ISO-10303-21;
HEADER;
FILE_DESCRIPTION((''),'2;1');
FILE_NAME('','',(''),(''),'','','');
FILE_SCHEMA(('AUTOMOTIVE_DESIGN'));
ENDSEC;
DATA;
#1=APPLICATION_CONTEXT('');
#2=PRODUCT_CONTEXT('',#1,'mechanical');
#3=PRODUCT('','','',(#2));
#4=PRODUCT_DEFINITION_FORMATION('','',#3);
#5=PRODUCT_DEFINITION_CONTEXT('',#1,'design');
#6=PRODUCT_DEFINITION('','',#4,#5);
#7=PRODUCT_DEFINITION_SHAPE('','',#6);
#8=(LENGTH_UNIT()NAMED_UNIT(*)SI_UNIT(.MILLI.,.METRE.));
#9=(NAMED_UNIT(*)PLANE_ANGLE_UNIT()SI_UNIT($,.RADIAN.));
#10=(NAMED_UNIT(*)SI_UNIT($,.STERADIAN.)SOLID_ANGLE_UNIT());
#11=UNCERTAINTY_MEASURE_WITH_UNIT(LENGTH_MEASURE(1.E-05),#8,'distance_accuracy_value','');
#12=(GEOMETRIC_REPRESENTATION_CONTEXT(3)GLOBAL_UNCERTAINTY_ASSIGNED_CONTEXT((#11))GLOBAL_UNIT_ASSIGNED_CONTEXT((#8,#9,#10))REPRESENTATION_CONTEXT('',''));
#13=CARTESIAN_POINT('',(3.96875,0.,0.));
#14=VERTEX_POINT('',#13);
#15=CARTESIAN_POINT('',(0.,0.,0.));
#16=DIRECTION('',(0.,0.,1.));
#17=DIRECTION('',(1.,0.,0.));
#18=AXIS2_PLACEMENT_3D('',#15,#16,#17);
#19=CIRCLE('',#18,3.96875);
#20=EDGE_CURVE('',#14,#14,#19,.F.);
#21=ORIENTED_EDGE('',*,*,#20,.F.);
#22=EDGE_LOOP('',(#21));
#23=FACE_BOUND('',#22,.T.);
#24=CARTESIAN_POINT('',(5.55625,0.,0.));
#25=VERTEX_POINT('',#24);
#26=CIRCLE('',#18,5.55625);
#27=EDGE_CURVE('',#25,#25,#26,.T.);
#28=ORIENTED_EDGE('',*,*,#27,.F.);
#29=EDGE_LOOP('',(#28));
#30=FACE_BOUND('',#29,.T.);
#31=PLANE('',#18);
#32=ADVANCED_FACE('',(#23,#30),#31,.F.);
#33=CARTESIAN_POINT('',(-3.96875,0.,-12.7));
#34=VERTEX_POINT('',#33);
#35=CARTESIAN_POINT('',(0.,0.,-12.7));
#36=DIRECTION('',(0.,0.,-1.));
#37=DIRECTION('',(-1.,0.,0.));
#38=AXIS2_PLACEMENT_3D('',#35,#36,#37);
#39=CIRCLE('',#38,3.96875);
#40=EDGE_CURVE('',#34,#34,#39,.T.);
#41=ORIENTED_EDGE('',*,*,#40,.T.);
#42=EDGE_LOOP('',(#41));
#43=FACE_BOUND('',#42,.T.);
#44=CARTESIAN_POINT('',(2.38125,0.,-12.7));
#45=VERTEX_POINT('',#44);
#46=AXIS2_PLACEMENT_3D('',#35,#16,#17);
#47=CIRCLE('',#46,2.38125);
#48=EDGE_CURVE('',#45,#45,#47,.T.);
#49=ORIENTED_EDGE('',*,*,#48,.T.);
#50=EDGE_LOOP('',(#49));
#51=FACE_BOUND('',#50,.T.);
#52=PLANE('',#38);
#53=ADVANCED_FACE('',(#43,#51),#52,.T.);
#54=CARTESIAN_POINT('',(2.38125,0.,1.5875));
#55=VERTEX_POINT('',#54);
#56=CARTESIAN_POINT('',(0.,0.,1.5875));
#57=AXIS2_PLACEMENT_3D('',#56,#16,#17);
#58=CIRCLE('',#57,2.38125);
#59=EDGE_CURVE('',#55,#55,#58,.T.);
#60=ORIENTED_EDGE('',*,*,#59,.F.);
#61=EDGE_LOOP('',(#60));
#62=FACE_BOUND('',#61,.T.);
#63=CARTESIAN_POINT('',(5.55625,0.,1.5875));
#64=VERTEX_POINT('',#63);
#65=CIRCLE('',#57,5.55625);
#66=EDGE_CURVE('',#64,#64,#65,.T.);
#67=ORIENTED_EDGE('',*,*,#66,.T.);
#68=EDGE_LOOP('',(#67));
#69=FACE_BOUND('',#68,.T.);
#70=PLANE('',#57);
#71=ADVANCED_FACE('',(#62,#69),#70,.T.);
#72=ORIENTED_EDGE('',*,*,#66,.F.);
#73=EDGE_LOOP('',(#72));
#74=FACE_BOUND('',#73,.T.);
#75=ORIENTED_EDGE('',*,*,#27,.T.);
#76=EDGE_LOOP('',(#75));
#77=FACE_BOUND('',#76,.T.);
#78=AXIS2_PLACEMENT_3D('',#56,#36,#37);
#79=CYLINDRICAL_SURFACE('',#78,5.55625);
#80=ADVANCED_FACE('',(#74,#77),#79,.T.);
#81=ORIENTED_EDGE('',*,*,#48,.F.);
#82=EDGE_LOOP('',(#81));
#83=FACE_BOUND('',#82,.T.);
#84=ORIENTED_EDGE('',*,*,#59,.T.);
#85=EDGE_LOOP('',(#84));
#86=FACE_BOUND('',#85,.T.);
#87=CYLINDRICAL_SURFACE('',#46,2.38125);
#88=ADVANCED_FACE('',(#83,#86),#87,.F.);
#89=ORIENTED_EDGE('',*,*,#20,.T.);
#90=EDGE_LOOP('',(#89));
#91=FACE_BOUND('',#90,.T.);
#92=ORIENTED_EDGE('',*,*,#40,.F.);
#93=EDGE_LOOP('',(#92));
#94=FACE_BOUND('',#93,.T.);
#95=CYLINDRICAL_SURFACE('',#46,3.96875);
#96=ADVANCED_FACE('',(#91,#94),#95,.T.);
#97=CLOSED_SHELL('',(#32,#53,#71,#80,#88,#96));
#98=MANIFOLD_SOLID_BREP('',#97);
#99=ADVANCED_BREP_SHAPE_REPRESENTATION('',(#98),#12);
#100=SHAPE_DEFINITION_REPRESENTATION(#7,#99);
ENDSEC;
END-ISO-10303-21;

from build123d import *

# Parameters (mm, degrees)
SKETCH1_R           = 5.55625
BOSS_EXTRUDE1_DEPTH = 1.5875
SKETCH2_R           = 3.96875
BOSS_EXTRUDE2_DEPTH = 12.7
SKETCH3_R           = 2.38125
CUT_EXTRUDE1_DEPTH  = 15.2875


with BuildPart() as part:
    # Sketch1 → Boss-Extrude1 (new body)
    with BuildSketch(Plane.XY):
        Circle(SKETCH1_R)
    extrude(amount=BOSS_EXTRUDE1_DEPTH)

    # Sketch2 → Boss-Extrude2 (add)
    with BuildSketch(Plane(origin=(0, 0, 0), x_dir=(-1, 0, 0), z_dir=(0, 0, -1))):
        Circle(SKETCH2_R)
    extrude(amount=BOSS_EXTRUDE2_DEPTH)

    # Sketch3 → Cut-Extrude1 (cut, through all)
    with BuildSketch(Plane.XY.offset(1.5875)):
        Circle(SKETCH3_R)
    extrude(amount=-CUT_EXTRUDE1_DEPTH, mode=Mode.SUBTRACT)


solid = part.part
